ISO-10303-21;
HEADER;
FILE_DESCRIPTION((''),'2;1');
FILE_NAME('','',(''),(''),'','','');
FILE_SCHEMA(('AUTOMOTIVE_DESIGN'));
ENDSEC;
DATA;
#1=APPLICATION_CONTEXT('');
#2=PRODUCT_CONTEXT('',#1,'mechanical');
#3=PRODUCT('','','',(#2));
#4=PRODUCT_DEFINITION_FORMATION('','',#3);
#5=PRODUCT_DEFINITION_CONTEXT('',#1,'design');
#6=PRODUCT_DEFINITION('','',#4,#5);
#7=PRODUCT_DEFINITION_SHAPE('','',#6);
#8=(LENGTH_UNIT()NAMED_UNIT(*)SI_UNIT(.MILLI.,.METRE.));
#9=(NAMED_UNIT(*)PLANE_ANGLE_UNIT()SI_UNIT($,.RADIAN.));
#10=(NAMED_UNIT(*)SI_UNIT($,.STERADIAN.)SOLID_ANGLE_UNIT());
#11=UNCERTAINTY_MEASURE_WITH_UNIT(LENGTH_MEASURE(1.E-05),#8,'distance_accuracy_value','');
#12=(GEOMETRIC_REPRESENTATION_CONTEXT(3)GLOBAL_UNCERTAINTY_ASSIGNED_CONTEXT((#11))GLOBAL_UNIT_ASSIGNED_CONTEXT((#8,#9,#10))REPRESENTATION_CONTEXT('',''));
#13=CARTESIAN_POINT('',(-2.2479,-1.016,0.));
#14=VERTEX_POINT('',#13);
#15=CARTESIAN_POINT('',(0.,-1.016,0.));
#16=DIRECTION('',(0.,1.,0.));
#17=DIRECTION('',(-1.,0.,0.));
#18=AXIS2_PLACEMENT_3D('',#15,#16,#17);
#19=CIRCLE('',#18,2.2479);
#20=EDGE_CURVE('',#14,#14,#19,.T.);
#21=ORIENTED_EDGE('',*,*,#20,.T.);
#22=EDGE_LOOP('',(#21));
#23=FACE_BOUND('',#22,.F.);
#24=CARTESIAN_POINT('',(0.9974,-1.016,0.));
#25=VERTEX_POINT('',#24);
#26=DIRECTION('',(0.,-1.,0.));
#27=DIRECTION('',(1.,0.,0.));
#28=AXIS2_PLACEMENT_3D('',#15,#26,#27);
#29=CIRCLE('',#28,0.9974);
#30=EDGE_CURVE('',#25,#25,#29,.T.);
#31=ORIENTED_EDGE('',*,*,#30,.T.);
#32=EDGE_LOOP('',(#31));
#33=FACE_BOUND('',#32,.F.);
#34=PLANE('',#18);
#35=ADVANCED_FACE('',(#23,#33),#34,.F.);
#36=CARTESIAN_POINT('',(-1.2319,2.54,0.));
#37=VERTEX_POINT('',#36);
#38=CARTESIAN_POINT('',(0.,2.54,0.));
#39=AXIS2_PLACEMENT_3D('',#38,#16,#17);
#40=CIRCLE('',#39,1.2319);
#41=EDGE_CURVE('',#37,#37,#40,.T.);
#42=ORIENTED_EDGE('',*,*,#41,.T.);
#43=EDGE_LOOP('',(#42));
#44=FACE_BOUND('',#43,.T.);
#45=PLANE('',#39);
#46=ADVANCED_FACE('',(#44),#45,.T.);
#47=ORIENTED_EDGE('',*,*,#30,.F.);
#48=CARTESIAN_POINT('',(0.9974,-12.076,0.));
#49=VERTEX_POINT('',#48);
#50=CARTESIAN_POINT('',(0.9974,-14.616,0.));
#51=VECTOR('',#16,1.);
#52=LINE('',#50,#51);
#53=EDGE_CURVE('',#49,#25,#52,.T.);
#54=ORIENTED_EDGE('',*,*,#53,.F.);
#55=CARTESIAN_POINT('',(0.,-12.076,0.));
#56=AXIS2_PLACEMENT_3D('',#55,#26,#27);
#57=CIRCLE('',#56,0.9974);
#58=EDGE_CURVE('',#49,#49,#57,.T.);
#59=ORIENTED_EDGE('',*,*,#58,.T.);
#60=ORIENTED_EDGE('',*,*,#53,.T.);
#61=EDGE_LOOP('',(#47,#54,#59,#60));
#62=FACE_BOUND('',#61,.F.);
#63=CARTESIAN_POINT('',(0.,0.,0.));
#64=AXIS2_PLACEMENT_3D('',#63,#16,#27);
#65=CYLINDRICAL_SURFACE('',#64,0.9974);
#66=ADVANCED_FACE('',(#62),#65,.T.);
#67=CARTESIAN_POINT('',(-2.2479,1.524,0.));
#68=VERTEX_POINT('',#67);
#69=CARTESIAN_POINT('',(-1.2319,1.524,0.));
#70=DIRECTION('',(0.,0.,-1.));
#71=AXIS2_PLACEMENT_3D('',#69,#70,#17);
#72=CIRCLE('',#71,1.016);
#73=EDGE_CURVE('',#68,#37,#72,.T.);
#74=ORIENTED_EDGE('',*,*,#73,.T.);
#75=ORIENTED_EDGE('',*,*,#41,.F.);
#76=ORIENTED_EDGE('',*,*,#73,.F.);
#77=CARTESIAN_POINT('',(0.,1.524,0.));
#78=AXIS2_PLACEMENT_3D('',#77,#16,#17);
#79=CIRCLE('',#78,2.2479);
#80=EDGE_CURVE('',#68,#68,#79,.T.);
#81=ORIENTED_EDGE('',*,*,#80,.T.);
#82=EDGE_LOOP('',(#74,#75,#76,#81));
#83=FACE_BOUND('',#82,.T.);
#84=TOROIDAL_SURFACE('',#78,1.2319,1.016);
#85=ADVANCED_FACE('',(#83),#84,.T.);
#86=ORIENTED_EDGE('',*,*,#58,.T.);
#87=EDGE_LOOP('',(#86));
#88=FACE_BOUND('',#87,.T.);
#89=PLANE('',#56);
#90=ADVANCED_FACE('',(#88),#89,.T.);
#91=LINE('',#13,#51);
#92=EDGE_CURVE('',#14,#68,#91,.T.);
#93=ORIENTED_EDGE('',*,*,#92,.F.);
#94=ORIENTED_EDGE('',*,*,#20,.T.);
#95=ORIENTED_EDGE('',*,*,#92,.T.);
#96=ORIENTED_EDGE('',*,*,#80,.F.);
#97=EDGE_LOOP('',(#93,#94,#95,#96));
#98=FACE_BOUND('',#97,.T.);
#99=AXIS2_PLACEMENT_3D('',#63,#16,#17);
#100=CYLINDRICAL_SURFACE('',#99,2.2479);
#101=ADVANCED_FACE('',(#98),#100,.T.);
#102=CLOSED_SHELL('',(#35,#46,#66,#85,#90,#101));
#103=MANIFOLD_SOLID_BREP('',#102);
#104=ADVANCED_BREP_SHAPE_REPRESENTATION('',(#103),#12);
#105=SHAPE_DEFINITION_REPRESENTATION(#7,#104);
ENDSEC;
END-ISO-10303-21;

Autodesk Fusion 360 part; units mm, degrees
sketch "Sketch2" plane through (0, 0, 0) normal (0, -1, 0) x (1, 0, 0)
  circle A0 centre (0, 0) radius 0.9974
  circle A1 centre (0, 0) radius 2.2479
extrude "Extrude1" add sketch "Sketch2" along normal blind 7.25 contours A0
extrude "Extrude2" add 1 faces at (-0.2437, -7.25, 0.2261) along direction (0, -1, 0) blind 7.366
extrude "Extrude4" cut 1 faces at (-0.2437, -14.616, 0.2261) along direction (0, 1, 0) blind 2.54
sketch "Sketch3" plane through (0, 0, 0) normal (0, 1, 0) x (-1, 0, 0)
  circle A0 centre (0, 0) radius 0.9974
  circle A1 centre (0, 0) radius 2.2479
  dimension "d14" = 4.4958
extrude "Extrude5" add sketch "Sketch3" along normal blind 3.81 contours A0 | A1
extrude "Extrude6" add 1 faces at (-1.819, 0, -0.1612) along direction (0, -1, 0) blind 1.016
extrude "Extrude7" cut 1 faces at (-0.7569, 3.81, -0.3251) along direction (0, -1, 0) blind 1.27
fillet "Fillet1" radius 1.016 1 edges at (2.0958, 2.54, 0.8129)
